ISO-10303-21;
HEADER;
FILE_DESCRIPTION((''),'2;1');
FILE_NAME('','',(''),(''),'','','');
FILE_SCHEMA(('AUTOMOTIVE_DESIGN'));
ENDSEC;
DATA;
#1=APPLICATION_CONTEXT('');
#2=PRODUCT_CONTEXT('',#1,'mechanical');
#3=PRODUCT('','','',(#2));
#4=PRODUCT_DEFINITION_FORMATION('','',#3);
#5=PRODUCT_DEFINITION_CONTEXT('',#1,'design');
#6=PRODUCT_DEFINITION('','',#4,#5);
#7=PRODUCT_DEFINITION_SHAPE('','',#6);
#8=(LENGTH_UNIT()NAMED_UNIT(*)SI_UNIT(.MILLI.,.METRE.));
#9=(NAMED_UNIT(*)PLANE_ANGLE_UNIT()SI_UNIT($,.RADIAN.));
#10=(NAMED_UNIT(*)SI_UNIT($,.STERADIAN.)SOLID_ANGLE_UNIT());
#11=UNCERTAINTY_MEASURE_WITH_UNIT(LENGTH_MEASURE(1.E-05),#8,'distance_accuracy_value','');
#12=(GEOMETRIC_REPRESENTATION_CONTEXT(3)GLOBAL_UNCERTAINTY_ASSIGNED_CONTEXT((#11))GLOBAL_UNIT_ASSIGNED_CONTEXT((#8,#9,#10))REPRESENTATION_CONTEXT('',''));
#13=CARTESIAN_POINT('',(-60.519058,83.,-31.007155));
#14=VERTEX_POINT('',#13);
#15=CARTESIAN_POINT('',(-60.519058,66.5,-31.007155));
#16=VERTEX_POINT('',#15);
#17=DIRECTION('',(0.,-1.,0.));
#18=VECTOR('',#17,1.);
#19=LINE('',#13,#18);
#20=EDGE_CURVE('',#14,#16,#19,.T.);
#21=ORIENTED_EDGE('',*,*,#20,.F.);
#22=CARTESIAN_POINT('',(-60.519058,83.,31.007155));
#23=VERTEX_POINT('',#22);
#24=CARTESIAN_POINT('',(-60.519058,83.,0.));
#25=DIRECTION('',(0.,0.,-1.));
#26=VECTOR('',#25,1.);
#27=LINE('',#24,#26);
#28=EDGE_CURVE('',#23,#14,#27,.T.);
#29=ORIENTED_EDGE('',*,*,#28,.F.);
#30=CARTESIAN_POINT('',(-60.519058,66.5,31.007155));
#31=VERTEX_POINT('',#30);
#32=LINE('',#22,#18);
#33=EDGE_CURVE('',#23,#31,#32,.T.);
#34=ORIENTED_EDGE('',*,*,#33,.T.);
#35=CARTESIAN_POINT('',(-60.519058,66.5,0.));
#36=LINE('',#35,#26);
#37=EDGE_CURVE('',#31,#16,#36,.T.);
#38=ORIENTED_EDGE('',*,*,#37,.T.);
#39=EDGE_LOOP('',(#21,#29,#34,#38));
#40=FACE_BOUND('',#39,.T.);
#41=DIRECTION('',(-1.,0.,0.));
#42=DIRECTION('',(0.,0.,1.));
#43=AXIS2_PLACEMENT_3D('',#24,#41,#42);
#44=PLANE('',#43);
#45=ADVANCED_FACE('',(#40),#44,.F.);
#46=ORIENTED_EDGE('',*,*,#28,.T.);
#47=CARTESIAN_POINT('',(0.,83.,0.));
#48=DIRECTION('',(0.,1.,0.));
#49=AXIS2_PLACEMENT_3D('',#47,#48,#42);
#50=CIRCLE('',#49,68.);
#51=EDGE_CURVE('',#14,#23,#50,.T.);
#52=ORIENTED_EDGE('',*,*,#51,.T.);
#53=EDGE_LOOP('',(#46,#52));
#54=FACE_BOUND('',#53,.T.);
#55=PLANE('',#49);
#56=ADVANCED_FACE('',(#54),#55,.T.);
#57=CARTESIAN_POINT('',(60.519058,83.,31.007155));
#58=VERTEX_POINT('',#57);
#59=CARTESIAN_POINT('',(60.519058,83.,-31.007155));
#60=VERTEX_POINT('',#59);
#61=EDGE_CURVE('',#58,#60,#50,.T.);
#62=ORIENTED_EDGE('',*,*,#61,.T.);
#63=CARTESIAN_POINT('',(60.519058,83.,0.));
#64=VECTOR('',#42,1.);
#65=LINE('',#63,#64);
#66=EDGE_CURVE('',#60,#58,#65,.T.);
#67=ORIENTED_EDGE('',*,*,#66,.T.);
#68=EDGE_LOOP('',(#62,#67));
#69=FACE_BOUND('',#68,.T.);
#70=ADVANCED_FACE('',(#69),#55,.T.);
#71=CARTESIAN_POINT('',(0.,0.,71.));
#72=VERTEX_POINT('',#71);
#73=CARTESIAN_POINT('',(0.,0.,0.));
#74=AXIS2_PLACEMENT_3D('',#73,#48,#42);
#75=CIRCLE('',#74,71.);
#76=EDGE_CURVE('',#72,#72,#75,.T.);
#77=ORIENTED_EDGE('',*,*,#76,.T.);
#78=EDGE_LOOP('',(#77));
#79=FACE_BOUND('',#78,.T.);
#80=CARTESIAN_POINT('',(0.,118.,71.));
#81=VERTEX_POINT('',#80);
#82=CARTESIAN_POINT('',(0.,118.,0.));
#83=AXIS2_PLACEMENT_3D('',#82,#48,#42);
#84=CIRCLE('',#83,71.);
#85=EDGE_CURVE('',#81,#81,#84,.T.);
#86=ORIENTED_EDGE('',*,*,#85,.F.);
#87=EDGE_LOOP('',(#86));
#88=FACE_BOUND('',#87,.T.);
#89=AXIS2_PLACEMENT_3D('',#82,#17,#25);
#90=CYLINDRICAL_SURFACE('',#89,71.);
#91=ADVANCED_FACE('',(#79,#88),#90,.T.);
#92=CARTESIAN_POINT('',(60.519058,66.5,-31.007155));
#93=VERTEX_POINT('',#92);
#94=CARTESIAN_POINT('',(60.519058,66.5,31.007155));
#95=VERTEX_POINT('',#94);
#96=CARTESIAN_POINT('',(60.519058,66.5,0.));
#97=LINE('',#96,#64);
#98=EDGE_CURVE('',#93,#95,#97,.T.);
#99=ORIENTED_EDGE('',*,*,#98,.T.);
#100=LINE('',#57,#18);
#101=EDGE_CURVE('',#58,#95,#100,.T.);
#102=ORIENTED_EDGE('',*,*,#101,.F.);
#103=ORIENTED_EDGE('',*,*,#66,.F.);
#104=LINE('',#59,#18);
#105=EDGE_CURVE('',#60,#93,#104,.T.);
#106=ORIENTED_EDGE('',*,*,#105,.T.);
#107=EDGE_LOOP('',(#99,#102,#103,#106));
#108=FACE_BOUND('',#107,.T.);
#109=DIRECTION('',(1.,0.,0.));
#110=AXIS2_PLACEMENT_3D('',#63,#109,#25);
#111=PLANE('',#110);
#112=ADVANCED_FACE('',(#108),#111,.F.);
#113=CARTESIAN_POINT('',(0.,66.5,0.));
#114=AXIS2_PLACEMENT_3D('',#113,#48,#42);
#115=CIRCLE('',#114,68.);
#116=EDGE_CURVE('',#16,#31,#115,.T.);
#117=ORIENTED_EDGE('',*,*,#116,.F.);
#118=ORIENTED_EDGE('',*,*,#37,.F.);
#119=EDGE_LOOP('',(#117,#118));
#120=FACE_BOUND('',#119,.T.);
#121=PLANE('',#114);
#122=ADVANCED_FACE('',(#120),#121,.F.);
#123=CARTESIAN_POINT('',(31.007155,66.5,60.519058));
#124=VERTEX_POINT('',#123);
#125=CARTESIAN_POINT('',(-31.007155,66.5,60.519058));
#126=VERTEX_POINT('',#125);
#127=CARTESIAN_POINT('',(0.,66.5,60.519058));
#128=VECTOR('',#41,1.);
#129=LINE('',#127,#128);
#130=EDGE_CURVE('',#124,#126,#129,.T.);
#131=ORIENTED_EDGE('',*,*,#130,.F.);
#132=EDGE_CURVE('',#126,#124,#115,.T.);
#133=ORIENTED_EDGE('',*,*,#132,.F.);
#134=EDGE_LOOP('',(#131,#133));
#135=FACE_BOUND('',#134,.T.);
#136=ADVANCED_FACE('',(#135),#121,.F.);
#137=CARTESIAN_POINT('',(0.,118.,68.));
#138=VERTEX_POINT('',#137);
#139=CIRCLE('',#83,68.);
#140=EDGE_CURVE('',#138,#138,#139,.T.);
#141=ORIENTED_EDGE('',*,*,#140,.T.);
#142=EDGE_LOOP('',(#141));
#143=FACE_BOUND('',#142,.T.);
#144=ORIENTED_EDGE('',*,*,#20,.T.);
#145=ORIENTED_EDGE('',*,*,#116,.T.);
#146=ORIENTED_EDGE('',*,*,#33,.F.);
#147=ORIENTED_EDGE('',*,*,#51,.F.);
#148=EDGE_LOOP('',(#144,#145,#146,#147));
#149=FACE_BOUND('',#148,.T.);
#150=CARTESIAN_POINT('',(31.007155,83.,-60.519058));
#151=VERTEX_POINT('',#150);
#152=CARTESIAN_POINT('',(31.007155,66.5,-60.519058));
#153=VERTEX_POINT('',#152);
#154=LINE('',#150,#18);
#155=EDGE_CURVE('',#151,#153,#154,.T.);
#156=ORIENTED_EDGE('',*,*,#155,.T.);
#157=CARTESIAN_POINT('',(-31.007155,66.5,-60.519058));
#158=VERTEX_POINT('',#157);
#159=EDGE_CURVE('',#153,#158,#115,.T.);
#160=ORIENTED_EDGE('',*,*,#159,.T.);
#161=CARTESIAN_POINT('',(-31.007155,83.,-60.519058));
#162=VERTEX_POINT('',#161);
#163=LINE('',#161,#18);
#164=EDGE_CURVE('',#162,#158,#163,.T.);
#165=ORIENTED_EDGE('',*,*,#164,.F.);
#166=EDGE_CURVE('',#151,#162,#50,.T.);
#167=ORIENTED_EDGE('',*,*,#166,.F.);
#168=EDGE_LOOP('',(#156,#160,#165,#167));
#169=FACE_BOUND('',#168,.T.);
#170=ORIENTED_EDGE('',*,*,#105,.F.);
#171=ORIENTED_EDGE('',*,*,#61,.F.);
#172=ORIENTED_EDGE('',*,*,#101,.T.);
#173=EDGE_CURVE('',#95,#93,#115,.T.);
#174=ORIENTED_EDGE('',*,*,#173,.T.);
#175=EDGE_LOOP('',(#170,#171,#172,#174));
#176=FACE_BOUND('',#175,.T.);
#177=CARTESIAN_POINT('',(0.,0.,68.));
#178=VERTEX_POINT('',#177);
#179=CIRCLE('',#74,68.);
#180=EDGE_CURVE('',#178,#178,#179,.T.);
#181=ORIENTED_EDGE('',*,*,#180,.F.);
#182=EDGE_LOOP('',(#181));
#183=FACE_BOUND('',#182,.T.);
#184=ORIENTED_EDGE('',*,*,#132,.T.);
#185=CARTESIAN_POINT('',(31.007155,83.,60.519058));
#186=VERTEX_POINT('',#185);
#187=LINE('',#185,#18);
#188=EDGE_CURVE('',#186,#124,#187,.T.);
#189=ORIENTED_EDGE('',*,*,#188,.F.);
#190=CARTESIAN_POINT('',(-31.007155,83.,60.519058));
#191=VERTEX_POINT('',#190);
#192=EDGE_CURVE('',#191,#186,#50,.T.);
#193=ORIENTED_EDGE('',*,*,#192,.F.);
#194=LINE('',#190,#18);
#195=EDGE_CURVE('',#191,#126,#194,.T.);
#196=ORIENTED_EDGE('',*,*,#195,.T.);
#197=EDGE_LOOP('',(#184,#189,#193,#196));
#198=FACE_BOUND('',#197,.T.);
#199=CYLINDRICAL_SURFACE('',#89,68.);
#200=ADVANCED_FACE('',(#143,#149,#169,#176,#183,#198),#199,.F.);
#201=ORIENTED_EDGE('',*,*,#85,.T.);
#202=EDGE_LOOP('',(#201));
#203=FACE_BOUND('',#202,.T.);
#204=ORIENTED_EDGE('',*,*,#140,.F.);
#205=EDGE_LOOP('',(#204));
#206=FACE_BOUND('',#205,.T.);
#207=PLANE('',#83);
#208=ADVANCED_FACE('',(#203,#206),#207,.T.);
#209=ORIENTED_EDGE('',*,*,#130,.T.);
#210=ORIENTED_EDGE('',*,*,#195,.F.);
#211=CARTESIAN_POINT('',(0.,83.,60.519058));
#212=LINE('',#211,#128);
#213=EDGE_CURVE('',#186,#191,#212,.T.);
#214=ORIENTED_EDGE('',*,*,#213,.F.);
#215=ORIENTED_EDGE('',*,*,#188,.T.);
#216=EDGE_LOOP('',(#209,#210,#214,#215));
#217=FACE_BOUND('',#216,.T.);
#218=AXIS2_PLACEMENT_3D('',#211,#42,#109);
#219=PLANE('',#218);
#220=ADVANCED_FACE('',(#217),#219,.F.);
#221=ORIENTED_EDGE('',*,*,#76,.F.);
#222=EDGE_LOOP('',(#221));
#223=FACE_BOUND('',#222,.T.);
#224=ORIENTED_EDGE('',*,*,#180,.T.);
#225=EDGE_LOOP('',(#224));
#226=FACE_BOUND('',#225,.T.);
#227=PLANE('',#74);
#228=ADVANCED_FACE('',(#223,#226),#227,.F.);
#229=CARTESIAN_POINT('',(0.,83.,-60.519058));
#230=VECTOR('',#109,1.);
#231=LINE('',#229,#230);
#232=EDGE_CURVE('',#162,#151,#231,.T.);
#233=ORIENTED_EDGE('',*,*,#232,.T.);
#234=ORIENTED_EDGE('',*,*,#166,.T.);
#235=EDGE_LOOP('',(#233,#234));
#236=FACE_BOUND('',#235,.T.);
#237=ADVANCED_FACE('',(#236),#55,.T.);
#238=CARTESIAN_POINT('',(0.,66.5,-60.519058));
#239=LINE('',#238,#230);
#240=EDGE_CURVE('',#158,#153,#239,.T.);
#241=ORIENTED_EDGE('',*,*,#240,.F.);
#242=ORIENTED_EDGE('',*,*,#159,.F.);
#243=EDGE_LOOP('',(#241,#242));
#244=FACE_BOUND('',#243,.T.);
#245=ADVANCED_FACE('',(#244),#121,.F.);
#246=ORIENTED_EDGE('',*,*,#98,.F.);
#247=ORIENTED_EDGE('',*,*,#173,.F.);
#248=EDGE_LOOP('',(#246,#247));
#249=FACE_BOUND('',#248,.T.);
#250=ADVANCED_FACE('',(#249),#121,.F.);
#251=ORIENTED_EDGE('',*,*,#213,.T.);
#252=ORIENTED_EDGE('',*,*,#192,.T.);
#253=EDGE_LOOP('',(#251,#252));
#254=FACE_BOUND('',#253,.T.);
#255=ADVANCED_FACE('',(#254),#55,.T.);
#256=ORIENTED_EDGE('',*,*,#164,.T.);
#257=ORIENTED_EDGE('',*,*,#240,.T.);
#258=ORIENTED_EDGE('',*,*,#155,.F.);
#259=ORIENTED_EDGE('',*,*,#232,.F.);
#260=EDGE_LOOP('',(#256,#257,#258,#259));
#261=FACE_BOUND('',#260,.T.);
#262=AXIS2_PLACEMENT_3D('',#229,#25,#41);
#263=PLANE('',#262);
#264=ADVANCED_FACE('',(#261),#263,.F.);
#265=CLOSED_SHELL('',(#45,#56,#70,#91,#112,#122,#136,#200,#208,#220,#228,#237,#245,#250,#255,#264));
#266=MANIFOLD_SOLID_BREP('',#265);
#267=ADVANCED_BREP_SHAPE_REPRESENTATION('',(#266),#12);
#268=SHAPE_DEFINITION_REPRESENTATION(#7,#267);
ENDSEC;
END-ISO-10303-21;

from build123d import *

# Parameters (mm, degrees)
SKETCH_1_R      = 71
SKETCH_1_R_2    = 68
EXTRUDE_1_DEPTH = 118
EXTRUDE_START   = 66.5
EXTRUDE_9_DEPTH = 16.5


with BuildPart() as part:
    # 草圖1 → 填料-伸長1 (new body)
    with BuildSketch(Plane(origin=(0, 0, 0), x_dir=(1, 0, 0), z_dir=(0, 1, 0))):
        with Locations(Location((0, 0, 0), (0, 0, 270))):
            Circle(SKETCH_1_R)
        with Locations(Location((0, 0, 0), (0, 0, 270))):
            Circle(SKETCH_1_R_2, mode=Mode.SUBTRACT)
    extrude(amount=EXTRUDE_1_DEPTH)

    # 草圖5 → 填料-伸長9 (add)
    with BuildSketch(Plane(origin=(0, 0, 0), x_dir=(1, 0, 0), z_dir=(0, 1, 0)).offset(EXTRUDE_START)):
        with BuildLine():
            Line((-11, -60.519057708), (-31.007154887, -60.519057708))
            ThreePointArc((-31.007154887, -60.519057708), (0, -68), (31.007154887, -60.519057708))
            Line((31.007154887, -60.519057708), (11, -60.519057708))
            Line((11, -60.519057708), (8.25, -60.519057708))
            Line((8.25, -60.519057708), (-8.25, -60.519057708))
            Line((-8.25, -60.519057708), (-11, -60.519057708))
        make_face()
        with BuildLine():
            ThreePointArc((31.007154887, 60.519057708), (0, 68), (-31.007154887, 60.519057708))
            Line((-31.007154887, 60.519057708), (-11, 60.519057708))
            Line((-11, 60.519057708), (-8.25, 60.519057708))
            Line((-8.25, 60.519057708), (8.25, 60.519057708))
            Line((8.25, 60.519057708), (11, 60.519057708))
            Line((11, 60.519057708), (31.007154887, 60.519057708))
        make_face()
        with BuildLine():
            Line((-60.519057708, -31.007154887), (-60.519057708, -11))
            Line((-60.519057708, -11), (-60.519057708, -8.25))
            Line((-60.519057708, -8.25), (-60.519057708, 8.25))
            Line((-60.519057708, 8.25), (-60.519057708, 11))
            Line((-60.519057708, 11), (-60.519057708, 31.007154887))
            ThreePointArc((-60.519057708, 31.007154887), (-68, 0), (-60.519057708, -31.007154887))
        make_face()
        with BuildLine():
            Line((60.519057708, -11), (60.519057708, -31.007154887))
            ThreePointArc((60.519057708, -31.007154887), (66.103312792, -15.948418039), (68, 0))
            ThreePointArc((68, 0), (66.103312792, 15.948418039), (60.519057708, 31.007154887))
            Line((60.519057708, 31.007154887), (60.519057708, 11))
            Line((60.519057708, 11), (60.519057708, 8.25))
            Line((60.519057708, 8.25), (60.519057708, -8.25))
            Line((60.519057708, -8.25), (60.519057708, -11))
        make_face()
    extrude(amount=EXTRUDE_9_DEPTH)


solid = part.part
